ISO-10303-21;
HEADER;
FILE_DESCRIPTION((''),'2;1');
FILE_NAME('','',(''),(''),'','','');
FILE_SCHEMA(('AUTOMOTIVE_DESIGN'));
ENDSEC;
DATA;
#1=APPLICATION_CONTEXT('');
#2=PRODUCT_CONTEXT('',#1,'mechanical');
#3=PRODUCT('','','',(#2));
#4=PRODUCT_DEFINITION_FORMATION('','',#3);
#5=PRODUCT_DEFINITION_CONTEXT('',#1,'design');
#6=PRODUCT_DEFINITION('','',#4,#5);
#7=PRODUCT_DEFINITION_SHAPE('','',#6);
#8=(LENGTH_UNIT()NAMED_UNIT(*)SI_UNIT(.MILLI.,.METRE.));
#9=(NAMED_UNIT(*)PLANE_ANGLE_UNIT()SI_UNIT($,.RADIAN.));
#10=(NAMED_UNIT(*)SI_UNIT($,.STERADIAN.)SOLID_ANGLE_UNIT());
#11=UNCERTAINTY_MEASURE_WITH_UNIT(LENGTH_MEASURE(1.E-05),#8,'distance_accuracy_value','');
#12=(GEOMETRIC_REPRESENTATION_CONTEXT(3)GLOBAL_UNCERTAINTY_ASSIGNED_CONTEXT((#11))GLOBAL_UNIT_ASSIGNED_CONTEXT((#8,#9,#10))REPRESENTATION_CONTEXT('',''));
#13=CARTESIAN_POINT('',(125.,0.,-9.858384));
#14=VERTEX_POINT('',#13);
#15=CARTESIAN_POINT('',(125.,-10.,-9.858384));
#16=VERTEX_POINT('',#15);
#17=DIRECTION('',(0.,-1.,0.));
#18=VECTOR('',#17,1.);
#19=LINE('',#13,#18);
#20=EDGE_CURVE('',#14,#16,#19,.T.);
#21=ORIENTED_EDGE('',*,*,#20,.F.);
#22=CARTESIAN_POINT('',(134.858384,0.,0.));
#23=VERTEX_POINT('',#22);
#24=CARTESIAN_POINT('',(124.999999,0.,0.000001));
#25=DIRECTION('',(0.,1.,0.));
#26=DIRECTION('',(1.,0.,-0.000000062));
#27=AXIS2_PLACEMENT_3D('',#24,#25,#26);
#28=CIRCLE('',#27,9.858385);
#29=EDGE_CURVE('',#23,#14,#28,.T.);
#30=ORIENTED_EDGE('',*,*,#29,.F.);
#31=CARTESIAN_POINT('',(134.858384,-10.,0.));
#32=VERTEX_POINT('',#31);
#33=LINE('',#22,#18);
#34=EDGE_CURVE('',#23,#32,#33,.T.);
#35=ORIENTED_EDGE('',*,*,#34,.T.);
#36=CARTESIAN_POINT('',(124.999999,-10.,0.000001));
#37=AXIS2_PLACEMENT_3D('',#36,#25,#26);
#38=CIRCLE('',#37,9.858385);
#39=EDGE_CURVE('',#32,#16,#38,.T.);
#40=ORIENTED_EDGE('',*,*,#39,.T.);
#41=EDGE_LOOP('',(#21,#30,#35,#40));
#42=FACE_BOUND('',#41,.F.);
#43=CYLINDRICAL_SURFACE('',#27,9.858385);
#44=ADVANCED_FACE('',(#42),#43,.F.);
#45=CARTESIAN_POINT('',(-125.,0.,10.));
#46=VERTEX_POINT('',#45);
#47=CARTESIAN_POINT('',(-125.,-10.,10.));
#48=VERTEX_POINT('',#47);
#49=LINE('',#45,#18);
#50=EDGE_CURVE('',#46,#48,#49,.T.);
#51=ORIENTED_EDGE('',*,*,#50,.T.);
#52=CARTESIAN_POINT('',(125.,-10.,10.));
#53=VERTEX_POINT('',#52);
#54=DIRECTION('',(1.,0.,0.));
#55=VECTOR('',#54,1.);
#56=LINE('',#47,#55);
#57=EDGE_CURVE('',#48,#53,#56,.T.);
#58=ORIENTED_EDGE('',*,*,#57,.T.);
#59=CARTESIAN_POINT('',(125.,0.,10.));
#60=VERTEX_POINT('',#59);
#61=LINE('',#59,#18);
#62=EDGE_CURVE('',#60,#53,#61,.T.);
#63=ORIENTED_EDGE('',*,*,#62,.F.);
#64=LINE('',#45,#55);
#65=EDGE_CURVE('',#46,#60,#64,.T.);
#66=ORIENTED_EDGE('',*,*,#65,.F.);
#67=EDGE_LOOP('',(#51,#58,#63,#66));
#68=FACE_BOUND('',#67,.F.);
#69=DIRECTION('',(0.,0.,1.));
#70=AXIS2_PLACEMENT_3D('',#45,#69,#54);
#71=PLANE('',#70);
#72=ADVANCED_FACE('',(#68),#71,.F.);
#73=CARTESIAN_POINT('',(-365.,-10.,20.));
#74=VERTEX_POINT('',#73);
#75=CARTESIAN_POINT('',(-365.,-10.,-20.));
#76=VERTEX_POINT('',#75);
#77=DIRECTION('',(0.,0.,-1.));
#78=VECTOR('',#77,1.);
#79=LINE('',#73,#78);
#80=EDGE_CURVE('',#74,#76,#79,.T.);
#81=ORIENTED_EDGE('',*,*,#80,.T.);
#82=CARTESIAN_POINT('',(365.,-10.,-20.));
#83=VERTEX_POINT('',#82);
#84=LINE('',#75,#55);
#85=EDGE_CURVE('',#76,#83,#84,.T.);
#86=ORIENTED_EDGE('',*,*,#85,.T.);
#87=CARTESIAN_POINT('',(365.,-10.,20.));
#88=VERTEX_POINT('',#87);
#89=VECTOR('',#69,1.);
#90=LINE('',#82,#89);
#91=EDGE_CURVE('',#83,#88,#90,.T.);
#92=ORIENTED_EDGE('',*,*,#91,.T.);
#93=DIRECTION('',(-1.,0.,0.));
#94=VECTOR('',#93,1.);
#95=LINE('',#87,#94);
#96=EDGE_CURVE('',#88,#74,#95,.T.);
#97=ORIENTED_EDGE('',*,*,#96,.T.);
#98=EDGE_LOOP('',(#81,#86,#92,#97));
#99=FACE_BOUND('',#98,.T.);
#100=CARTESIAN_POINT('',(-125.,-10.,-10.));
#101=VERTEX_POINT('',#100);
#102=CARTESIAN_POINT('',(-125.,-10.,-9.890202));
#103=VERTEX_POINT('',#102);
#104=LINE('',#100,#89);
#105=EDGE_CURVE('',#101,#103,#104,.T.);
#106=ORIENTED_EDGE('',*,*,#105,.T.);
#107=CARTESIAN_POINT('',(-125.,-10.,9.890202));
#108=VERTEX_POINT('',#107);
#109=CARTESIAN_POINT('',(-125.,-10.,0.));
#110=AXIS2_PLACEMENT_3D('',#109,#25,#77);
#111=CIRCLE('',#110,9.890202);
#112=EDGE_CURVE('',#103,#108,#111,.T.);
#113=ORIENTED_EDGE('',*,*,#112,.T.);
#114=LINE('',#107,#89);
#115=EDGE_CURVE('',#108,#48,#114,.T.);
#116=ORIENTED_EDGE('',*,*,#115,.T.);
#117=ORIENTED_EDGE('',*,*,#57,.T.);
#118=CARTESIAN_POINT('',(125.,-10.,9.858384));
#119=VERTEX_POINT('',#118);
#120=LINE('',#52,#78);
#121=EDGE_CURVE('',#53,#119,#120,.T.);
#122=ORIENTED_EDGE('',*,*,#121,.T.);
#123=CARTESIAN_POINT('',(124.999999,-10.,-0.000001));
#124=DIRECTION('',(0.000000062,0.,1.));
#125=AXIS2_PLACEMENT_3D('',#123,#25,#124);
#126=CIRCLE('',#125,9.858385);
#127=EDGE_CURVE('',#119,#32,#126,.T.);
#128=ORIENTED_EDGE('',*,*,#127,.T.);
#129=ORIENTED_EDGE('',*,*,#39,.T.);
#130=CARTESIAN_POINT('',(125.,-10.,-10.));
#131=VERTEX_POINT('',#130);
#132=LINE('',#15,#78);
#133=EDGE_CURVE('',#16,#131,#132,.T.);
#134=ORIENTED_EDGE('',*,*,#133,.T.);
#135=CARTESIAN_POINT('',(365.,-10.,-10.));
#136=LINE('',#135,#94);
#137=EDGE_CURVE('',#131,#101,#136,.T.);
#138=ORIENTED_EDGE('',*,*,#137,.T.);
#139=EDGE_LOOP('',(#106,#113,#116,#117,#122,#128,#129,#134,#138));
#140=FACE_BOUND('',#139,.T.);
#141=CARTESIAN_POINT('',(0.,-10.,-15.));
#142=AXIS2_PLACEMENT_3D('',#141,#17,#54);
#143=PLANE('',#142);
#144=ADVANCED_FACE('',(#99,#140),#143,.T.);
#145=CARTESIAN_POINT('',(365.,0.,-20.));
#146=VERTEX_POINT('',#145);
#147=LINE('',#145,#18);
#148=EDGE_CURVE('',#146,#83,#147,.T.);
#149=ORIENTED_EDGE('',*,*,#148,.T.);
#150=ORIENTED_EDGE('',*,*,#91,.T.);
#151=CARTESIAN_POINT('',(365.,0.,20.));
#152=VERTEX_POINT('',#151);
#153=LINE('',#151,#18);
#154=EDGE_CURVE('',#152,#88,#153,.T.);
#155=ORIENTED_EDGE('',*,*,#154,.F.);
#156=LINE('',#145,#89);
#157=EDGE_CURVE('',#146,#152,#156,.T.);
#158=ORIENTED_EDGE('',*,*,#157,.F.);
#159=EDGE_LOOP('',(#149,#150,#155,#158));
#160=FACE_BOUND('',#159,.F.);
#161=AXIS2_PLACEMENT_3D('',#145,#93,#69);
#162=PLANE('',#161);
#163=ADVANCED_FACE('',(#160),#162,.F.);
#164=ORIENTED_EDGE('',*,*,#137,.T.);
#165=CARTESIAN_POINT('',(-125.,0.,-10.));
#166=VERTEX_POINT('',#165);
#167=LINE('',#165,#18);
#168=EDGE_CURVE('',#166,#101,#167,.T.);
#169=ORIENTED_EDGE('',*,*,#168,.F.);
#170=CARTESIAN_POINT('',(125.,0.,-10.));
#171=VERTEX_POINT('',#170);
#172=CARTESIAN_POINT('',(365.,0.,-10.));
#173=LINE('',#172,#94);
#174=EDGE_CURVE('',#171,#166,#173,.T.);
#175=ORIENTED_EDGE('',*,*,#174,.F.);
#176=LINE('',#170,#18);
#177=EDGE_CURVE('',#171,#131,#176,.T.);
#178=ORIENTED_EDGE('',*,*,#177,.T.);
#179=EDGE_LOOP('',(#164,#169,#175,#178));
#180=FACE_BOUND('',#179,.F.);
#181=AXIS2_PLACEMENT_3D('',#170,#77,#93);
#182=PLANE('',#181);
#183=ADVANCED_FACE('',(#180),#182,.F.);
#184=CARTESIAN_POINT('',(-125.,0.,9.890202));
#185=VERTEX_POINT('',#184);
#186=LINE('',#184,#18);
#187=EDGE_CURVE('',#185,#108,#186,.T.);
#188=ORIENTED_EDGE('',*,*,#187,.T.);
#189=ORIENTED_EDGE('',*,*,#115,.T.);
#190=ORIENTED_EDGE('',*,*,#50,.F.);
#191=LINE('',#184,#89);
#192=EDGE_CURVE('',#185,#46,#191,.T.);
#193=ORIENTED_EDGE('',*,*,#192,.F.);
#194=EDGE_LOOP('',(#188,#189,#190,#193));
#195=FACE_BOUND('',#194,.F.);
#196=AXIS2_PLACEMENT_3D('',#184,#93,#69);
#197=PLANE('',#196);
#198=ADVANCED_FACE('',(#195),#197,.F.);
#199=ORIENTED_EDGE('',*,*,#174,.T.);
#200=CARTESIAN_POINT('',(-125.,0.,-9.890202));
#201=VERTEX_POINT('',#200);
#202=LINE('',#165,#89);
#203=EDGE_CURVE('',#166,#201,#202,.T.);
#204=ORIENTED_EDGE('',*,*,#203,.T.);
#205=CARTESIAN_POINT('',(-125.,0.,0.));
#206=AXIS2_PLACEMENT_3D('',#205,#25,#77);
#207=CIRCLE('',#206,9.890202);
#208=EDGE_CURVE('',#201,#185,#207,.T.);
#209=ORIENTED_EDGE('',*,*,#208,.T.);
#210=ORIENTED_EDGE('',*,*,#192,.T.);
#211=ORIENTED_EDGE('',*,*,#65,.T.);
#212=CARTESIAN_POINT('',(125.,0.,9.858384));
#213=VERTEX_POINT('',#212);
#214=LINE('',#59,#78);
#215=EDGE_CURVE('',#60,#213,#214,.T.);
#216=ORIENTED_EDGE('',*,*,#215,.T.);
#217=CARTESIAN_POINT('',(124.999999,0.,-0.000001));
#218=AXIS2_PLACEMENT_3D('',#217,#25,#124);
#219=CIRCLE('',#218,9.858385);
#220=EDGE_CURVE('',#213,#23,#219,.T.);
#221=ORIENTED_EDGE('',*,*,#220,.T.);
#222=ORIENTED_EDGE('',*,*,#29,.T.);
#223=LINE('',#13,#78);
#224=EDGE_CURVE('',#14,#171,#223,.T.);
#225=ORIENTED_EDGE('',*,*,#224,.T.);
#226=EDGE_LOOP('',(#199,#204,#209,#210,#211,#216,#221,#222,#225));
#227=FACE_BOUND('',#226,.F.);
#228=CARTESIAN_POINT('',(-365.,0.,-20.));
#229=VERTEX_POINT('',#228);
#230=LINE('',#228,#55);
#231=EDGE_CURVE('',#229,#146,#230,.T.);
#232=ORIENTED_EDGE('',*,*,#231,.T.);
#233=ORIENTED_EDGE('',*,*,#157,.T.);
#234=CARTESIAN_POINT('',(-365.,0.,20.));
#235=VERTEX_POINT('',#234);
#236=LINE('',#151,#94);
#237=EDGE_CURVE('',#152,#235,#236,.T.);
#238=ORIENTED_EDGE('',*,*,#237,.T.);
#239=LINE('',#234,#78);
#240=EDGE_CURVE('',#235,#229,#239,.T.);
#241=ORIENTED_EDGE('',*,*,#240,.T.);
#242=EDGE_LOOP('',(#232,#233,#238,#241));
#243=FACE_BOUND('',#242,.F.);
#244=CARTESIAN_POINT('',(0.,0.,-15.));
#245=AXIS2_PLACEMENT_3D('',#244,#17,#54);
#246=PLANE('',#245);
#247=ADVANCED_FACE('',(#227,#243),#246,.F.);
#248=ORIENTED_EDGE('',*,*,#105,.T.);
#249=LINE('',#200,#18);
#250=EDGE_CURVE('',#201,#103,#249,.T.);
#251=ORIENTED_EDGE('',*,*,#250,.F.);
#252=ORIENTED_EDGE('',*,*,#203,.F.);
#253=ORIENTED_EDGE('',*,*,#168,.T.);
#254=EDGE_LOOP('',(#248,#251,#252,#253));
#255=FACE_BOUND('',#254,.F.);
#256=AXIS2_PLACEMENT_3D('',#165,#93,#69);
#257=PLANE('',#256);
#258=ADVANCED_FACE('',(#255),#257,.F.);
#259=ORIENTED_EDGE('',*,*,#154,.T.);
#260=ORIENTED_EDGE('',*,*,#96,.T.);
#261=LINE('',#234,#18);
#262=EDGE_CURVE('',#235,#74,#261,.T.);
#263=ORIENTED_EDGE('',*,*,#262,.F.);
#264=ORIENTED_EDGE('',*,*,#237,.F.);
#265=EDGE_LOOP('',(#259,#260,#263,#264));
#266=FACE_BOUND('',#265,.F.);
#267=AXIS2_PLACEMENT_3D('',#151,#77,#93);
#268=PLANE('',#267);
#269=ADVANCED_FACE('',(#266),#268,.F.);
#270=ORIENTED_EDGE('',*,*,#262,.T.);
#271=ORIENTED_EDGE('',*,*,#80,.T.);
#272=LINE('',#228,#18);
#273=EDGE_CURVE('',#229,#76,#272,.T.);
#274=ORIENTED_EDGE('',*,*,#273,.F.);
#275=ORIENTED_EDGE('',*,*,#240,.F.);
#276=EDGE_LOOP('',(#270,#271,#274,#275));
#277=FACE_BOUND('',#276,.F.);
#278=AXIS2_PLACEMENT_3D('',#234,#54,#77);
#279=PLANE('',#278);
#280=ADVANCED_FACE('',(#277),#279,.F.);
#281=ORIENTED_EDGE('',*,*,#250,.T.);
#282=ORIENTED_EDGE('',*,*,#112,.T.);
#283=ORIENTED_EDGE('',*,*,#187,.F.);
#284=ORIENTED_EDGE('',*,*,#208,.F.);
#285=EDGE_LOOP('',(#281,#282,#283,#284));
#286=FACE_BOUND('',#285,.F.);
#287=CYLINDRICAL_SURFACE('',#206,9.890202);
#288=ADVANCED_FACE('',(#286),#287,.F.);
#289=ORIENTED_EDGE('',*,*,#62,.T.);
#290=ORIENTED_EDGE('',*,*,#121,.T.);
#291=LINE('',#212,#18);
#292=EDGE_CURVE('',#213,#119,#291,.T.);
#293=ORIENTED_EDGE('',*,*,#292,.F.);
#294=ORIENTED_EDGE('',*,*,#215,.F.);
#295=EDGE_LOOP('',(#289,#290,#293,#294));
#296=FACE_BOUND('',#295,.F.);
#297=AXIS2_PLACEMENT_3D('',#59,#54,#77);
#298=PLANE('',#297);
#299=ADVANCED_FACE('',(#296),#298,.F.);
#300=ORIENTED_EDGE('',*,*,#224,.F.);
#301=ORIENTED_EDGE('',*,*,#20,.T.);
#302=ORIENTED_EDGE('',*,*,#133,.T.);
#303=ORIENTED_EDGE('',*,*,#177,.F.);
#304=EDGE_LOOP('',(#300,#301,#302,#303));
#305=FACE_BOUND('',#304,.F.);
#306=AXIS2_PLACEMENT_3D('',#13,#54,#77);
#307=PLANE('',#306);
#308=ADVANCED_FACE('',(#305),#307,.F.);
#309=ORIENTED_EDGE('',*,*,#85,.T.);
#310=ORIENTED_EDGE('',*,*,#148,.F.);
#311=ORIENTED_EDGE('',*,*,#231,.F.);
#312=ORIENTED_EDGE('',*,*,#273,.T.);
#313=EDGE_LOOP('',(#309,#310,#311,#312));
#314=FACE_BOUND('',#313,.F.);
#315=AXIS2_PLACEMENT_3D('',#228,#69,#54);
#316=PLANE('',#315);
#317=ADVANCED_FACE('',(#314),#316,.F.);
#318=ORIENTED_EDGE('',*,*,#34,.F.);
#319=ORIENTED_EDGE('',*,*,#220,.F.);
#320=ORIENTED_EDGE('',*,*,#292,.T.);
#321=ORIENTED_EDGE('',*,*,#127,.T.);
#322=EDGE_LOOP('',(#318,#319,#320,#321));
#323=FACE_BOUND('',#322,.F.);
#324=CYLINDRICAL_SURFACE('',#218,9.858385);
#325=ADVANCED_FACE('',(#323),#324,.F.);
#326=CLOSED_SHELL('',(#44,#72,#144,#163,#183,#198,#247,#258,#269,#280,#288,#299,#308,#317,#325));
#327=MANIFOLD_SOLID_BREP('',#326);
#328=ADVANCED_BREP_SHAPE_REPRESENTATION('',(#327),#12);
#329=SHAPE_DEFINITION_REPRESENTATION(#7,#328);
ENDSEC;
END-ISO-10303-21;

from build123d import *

# Parameters (mm, degrees)
F1_DEPTH = 10


with BuildPart() as f1:
    # F0 (on Front) → F1 (new body)
    with BuildSketch(Plane.XZ):
        Polygon((-365, -20), (365, -20), (365, -10), (125, -10), (-125, -10), (-365, -10), align=None)
        with BuildLine():
            Line((125, -10), (365, -10))
            Line((365, -10), (365, 10))
            Line((365, 10), (125, 10))
            Line((125, 10), (125, 9.858384))
            ThreePointArc((125, 9.858384), (131.97093, 6.97093), (134.858384, 0))
            ThreePointArc((134.858384, 0), (131.97093, -6.97093), (125, -9.858384))
            Line((125, -9.858384), (125, -10))
        make_face()
        with BuildLine():
            Line((-365, 10), (-365, -10))
            Line((-365, -10), (-125, -10))
            Line((-125, -10), (-125, -9.890202))
            ThreePointArc((-125, -9.890202), (-134.890202, 0), (-125, 9.890202))
            Line((-125, 9.890202), (-125, 10))
            Line((-125, 10), (-365, 10))
        make_face()
        Polygon((125, 10), (365, 10), (365, 20), (-365, 20), (-365, 10), (-125, 10), align=None)
    extrude(amount=F1_DEPTH)


solid = f1.part
